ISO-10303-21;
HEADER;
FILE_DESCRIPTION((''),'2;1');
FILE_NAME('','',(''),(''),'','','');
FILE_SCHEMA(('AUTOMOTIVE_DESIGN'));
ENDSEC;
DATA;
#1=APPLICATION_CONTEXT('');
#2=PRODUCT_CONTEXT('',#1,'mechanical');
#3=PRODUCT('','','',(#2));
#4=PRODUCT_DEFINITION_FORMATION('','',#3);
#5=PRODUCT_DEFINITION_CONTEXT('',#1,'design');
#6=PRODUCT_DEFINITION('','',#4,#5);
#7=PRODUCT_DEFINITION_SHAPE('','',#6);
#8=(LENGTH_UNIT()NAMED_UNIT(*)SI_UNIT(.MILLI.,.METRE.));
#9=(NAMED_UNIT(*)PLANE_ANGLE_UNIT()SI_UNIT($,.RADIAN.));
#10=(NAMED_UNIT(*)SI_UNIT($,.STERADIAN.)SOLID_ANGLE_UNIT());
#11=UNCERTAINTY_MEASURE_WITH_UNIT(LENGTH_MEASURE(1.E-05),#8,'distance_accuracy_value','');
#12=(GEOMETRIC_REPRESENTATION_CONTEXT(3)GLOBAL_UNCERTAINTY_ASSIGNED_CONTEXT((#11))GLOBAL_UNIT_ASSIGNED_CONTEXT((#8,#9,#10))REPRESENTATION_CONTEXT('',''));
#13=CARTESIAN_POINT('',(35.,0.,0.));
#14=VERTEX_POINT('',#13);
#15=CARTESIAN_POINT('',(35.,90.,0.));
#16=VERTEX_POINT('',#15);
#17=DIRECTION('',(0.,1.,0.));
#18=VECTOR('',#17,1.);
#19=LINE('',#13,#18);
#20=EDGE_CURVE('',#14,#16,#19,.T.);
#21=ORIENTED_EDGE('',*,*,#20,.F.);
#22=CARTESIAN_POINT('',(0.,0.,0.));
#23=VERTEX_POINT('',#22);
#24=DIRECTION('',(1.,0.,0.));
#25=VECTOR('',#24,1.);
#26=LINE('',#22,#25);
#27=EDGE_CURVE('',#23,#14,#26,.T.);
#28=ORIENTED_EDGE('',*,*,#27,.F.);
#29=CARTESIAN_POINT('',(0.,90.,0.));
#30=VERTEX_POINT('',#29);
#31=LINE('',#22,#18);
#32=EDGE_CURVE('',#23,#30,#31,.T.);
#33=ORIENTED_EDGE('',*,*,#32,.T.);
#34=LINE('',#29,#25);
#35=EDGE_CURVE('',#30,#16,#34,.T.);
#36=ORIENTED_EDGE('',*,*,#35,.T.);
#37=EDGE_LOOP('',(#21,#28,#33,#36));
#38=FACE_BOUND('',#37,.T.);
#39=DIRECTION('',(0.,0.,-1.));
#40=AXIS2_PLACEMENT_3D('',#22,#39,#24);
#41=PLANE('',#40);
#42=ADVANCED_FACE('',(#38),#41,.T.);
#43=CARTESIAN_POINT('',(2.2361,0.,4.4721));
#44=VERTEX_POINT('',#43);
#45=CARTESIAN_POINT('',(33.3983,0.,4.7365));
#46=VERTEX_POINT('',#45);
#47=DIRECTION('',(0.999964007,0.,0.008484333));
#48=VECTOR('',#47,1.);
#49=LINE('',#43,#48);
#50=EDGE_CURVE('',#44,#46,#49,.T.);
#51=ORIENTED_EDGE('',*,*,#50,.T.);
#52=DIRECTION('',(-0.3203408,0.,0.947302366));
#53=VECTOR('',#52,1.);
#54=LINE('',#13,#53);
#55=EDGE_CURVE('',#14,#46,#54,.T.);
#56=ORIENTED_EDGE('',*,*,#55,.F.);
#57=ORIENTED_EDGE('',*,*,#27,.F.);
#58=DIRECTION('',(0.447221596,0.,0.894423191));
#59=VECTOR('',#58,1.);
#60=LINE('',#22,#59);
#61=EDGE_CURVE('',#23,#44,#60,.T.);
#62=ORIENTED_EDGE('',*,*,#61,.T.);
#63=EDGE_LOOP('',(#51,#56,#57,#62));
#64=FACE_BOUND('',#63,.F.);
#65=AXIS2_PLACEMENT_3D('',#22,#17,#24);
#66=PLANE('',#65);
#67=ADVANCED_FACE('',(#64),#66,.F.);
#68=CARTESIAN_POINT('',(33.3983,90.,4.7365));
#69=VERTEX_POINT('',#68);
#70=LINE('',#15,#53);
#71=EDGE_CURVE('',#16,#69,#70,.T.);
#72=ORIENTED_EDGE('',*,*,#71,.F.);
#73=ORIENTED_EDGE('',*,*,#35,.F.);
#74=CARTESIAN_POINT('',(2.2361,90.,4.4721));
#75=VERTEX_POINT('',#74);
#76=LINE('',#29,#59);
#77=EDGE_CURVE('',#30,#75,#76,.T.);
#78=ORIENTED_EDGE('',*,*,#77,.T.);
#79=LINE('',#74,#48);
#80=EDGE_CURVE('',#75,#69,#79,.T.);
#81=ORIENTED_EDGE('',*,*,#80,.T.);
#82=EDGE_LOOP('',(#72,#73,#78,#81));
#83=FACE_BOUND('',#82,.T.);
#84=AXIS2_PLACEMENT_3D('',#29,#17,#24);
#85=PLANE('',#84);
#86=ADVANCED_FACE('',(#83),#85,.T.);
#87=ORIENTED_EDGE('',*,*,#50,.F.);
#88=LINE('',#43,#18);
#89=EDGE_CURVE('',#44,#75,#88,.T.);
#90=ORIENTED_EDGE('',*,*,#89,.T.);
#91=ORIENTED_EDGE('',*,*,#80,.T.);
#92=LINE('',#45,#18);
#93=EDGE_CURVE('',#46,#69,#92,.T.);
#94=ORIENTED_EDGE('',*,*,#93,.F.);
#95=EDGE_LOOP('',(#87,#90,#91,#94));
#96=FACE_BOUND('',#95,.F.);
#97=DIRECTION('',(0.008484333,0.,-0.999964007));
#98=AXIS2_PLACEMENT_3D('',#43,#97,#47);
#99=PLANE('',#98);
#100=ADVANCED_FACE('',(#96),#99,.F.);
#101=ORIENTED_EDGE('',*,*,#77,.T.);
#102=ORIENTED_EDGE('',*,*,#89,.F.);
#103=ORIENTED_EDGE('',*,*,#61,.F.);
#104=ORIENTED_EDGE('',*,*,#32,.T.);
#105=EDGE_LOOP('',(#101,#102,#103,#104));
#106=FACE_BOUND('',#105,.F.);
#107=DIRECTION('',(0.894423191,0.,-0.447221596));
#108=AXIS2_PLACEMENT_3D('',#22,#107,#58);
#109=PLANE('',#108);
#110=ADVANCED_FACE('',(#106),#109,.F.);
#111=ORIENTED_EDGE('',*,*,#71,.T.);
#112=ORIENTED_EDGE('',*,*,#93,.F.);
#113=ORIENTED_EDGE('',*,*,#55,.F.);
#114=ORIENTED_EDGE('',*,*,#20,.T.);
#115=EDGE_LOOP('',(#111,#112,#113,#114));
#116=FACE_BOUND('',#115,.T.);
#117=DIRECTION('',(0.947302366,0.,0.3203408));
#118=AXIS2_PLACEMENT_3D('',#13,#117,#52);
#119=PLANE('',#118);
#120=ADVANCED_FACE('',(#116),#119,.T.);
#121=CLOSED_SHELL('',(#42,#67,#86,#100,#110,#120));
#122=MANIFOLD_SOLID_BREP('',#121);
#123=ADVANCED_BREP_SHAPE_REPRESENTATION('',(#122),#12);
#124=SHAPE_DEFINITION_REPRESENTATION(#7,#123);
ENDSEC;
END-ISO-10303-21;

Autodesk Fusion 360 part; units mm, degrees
sketch "Sketch1" plane through (0, 0, 0) normal (0, 1, 0) x (1, 0, 0) in component "plate"
  line L0 (0, 0) -> (35, 0)
  line L1 (35, 0) -> (33.3983, -4.7365)
  line L2 (0, 0) -> (2.2361, -4.4721)
  line L3 (2.2361, -4.4721) -> (33.3983, -4.7365)
  dimension "d1" = 35
  dimension "d2" = 5
  dimension "d4" = 5
extrude "Extrude1" add sketch "Sketch1" along normal blind 90 in component "plate"
component "plate" placed x (1, 0, 0) y (0, 1, 0) z (0, 0, 1) at (0, 0, 0)
